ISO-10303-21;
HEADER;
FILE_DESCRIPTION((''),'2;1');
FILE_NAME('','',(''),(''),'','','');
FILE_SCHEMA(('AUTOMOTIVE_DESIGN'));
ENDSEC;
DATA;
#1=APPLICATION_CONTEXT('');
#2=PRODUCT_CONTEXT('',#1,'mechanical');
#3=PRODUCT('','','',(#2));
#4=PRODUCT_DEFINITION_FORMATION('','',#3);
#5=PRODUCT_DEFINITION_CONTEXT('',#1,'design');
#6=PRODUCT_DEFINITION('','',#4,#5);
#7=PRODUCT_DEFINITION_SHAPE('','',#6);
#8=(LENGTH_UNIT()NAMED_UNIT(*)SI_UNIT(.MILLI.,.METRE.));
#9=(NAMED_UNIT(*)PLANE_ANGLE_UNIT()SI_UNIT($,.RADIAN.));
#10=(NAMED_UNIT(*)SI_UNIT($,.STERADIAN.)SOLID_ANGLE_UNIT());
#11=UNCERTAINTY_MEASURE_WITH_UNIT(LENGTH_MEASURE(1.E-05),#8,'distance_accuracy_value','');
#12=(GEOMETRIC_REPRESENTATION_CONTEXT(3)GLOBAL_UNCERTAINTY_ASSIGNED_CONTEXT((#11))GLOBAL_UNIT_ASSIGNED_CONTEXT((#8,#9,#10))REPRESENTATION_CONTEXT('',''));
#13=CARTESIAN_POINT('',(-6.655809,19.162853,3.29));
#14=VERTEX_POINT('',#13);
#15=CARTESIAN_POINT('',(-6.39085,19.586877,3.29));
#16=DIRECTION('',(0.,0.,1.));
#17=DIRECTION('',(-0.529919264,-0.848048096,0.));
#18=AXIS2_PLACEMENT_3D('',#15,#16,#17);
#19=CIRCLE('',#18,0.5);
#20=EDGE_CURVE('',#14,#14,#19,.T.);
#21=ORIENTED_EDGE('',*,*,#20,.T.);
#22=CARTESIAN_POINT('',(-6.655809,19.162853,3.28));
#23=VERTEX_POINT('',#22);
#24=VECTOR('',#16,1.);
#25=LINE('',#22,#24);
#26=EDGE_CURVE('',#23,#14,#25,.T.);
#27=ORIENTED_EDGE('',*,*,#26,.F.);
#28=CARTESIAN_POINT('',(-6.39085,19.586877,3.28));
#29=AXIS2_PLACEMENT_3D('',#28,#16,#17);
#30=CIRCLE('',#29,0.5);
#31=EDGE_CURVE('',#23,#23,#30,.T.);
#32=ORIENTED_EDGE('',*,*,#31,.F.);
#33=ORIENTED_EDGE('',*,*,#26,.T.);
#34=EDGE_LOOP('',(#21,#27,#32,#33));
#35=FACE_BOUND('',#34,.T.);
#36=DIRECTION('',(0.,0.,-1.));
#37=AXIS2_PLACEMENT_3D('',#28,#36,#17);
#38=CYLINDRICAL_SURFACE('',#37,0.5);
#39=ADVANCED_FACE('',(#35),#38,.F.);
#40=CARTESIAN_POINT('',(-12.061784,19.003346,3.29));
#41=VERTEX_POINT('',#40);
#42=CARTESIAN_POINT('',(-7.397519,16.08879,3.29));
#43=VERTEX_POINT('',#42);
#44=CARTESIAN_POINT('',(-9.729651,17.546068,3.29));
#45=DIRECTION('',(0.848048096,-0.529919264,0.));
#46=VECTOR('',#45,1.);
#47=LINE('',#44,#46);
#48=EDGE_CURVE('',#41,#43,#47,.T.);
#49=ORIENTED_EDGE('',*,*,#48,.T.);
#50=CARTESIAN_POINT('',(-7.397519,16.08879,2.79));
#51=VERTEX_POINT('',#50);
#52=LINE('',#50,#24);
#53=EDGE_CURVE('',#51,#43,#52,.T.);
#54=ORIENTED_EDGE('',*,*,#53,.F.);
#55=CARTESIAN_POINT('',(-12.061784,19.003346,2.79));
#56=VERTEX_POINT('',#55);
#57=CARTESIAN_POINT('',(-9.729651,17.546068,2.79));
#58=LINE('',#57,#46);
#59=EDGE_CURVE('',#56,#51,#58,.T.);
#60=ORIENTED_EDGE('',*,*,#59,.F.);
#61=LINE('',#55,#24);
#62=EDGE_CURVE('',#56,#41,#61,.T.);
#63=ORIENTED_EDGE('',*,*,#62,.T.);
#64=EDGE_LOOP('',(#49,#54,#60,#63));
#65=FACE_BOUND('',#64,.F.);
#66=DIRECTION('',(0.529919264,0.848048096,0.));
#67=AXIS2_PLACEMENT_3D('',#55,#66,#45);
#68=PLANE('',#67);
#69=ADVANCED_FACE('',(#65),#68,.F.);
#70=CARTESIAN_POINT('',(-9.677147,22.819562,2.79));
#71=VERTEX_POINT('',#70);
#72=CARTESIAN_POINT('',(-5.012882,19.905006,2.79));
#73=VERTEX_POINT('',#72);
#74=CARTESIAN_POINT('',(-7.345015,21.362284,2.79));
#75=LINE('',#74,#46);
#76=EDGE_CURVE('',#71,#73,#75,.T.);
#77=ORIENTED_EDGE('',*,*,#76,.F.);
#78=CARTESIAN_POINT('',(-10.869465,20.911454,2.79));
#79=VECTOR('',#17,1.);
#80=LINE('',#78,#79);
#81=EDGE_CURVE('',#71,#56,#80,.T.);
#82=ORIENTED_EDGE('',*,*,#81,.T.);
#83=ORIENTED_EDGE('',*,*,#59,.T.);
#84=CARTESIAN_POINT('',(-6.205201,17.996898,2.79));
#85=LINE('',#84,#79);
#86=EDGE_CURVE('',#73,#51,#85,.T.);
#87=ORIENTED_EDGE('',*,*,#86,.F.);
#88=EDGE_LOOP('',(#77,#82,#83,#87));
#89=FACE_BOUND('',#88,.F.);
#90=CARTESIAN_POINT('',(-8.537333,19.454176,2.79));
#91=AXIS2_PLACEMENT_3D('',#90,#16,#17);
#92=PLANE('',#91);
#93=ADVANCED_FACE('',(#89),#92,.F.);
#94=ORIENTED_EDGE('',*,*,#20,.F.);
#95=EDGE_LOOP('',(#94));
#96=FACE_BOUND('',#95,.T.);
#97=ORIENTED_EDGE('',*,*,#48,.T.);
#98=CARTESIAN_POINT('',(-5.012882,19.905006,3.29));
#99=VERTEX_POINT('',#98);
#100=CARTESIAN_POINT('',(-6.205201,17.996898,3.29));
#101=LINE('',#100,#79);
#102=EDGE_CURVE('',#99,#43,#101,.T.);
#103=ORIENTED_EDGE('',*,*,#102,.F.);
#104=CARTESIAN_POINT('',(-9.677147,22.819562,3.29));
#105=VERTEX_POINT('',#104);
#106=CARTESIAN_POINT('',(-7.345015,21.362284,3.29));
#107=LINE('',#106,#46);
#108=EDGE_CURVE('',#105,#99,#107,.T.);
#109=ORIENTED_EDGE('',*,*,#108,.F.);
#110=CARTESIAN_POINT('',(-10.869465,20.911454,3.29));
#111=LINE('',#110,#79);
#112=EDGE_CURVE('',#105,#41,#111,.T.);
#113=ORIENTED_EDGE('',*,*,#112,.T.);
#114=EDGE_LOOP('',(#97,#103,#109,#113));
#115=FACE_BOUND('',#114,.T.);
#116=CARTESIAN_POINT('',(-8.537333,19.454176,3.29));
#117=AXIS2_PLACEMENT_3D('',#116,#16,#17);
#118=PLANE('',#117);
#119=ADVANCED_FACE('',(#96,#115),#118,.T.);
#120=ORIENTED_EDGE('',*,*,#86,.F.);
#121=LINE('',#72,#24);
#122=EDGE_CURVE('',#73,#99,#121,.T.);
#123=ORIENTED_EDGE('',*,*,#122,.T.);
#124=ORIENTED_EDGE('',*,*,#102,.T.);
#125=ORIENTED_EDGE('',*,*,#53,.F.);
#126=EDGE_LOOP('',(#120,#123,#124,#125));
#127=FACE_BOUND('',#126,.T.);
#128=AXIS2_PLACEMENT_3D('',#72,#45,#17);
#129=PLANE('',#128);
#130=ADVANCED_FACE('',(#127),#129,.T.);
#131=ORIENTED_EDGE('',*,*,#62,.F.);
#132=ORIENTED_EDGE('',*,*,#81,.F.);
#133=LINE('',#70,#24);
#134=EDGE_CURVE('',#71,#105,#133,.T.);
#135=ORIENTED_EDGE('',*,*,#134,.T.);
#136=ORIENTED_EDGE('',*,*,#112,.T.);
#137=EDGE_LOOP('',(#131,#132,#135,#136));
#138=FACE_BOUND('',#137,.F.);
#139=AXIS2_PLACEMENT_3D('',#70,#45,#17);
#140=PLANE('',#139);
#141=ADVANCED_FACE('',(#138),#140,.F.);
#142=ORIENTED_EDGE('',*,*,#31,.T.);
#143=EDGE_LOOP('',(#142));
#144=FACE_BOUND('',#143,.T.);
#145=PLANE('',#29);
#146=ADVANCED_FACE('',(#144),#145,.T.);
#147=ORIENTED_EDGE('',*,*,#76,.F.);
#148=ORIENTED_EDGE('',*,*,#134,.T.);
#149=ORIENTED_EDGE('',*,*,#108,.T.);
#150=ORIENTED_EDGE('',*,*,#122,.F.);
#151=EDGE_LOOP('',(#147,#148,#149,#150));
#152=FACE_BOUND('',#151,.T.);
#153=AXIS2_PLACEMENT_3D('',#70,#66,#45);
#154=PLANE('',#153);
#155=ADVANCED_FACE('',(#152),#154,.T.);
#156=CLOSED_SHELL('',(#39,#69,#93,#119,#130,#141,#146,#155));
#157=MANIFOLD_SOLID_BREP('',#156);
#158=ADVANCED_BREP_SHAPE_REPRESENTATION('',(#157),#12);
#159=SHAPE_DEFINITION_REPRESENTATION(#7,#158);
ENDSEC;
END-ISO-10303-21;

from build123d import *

# Parameters (mm, degrees)
CYLINDER082_R          = 0.5
CYLINDER082_DEPTH      = 0.01
BOX179_W               = 4.5
BOX179_H               = 5.5
BOX179_DEPTH           = 0.5
CUT088_PLACEMENT_ANGLE = 122


with BuildPart() as cylinder082:
    # Cylinder082 → Cylinder082 (new body)
    with BuildSketch(Plane(origin=(1, 4.5, 0.49), x_dir=(1, 0, 0), z_dir=(0, 0, 1))):
        Circle(CYLINDER082_R)
    extrude(amount=CYLINDER082_DEPTH)


with BuildPart() as small_linbo3_plate090:
    # Box179 → Box179 (new body)
    with BuildSketch(Plane.XY):
        with Locations((2.25, 2.75)):
            Rectangle(BOX179_W, BOX179_H)
    extrude(amount=BOX179_DEPTH)

    # Cut088: cut Cylinder082
    add(cylinder082.part, mode=Mode.SUBTRACT)


with BuildPart() as small_linbo3_plate090_1:
    # Cut088 placement: moved
    add(small_linbo3_plate090.part.moved(Location((-9.677147, 22.819562, 2.79))).rotate(Axis((-9.677147, 22.819562, 2.79), (0, 0, -1)), CUT088_PLACEMENT_ANGLE))


solid = small_linbo3_plate090_1.part
